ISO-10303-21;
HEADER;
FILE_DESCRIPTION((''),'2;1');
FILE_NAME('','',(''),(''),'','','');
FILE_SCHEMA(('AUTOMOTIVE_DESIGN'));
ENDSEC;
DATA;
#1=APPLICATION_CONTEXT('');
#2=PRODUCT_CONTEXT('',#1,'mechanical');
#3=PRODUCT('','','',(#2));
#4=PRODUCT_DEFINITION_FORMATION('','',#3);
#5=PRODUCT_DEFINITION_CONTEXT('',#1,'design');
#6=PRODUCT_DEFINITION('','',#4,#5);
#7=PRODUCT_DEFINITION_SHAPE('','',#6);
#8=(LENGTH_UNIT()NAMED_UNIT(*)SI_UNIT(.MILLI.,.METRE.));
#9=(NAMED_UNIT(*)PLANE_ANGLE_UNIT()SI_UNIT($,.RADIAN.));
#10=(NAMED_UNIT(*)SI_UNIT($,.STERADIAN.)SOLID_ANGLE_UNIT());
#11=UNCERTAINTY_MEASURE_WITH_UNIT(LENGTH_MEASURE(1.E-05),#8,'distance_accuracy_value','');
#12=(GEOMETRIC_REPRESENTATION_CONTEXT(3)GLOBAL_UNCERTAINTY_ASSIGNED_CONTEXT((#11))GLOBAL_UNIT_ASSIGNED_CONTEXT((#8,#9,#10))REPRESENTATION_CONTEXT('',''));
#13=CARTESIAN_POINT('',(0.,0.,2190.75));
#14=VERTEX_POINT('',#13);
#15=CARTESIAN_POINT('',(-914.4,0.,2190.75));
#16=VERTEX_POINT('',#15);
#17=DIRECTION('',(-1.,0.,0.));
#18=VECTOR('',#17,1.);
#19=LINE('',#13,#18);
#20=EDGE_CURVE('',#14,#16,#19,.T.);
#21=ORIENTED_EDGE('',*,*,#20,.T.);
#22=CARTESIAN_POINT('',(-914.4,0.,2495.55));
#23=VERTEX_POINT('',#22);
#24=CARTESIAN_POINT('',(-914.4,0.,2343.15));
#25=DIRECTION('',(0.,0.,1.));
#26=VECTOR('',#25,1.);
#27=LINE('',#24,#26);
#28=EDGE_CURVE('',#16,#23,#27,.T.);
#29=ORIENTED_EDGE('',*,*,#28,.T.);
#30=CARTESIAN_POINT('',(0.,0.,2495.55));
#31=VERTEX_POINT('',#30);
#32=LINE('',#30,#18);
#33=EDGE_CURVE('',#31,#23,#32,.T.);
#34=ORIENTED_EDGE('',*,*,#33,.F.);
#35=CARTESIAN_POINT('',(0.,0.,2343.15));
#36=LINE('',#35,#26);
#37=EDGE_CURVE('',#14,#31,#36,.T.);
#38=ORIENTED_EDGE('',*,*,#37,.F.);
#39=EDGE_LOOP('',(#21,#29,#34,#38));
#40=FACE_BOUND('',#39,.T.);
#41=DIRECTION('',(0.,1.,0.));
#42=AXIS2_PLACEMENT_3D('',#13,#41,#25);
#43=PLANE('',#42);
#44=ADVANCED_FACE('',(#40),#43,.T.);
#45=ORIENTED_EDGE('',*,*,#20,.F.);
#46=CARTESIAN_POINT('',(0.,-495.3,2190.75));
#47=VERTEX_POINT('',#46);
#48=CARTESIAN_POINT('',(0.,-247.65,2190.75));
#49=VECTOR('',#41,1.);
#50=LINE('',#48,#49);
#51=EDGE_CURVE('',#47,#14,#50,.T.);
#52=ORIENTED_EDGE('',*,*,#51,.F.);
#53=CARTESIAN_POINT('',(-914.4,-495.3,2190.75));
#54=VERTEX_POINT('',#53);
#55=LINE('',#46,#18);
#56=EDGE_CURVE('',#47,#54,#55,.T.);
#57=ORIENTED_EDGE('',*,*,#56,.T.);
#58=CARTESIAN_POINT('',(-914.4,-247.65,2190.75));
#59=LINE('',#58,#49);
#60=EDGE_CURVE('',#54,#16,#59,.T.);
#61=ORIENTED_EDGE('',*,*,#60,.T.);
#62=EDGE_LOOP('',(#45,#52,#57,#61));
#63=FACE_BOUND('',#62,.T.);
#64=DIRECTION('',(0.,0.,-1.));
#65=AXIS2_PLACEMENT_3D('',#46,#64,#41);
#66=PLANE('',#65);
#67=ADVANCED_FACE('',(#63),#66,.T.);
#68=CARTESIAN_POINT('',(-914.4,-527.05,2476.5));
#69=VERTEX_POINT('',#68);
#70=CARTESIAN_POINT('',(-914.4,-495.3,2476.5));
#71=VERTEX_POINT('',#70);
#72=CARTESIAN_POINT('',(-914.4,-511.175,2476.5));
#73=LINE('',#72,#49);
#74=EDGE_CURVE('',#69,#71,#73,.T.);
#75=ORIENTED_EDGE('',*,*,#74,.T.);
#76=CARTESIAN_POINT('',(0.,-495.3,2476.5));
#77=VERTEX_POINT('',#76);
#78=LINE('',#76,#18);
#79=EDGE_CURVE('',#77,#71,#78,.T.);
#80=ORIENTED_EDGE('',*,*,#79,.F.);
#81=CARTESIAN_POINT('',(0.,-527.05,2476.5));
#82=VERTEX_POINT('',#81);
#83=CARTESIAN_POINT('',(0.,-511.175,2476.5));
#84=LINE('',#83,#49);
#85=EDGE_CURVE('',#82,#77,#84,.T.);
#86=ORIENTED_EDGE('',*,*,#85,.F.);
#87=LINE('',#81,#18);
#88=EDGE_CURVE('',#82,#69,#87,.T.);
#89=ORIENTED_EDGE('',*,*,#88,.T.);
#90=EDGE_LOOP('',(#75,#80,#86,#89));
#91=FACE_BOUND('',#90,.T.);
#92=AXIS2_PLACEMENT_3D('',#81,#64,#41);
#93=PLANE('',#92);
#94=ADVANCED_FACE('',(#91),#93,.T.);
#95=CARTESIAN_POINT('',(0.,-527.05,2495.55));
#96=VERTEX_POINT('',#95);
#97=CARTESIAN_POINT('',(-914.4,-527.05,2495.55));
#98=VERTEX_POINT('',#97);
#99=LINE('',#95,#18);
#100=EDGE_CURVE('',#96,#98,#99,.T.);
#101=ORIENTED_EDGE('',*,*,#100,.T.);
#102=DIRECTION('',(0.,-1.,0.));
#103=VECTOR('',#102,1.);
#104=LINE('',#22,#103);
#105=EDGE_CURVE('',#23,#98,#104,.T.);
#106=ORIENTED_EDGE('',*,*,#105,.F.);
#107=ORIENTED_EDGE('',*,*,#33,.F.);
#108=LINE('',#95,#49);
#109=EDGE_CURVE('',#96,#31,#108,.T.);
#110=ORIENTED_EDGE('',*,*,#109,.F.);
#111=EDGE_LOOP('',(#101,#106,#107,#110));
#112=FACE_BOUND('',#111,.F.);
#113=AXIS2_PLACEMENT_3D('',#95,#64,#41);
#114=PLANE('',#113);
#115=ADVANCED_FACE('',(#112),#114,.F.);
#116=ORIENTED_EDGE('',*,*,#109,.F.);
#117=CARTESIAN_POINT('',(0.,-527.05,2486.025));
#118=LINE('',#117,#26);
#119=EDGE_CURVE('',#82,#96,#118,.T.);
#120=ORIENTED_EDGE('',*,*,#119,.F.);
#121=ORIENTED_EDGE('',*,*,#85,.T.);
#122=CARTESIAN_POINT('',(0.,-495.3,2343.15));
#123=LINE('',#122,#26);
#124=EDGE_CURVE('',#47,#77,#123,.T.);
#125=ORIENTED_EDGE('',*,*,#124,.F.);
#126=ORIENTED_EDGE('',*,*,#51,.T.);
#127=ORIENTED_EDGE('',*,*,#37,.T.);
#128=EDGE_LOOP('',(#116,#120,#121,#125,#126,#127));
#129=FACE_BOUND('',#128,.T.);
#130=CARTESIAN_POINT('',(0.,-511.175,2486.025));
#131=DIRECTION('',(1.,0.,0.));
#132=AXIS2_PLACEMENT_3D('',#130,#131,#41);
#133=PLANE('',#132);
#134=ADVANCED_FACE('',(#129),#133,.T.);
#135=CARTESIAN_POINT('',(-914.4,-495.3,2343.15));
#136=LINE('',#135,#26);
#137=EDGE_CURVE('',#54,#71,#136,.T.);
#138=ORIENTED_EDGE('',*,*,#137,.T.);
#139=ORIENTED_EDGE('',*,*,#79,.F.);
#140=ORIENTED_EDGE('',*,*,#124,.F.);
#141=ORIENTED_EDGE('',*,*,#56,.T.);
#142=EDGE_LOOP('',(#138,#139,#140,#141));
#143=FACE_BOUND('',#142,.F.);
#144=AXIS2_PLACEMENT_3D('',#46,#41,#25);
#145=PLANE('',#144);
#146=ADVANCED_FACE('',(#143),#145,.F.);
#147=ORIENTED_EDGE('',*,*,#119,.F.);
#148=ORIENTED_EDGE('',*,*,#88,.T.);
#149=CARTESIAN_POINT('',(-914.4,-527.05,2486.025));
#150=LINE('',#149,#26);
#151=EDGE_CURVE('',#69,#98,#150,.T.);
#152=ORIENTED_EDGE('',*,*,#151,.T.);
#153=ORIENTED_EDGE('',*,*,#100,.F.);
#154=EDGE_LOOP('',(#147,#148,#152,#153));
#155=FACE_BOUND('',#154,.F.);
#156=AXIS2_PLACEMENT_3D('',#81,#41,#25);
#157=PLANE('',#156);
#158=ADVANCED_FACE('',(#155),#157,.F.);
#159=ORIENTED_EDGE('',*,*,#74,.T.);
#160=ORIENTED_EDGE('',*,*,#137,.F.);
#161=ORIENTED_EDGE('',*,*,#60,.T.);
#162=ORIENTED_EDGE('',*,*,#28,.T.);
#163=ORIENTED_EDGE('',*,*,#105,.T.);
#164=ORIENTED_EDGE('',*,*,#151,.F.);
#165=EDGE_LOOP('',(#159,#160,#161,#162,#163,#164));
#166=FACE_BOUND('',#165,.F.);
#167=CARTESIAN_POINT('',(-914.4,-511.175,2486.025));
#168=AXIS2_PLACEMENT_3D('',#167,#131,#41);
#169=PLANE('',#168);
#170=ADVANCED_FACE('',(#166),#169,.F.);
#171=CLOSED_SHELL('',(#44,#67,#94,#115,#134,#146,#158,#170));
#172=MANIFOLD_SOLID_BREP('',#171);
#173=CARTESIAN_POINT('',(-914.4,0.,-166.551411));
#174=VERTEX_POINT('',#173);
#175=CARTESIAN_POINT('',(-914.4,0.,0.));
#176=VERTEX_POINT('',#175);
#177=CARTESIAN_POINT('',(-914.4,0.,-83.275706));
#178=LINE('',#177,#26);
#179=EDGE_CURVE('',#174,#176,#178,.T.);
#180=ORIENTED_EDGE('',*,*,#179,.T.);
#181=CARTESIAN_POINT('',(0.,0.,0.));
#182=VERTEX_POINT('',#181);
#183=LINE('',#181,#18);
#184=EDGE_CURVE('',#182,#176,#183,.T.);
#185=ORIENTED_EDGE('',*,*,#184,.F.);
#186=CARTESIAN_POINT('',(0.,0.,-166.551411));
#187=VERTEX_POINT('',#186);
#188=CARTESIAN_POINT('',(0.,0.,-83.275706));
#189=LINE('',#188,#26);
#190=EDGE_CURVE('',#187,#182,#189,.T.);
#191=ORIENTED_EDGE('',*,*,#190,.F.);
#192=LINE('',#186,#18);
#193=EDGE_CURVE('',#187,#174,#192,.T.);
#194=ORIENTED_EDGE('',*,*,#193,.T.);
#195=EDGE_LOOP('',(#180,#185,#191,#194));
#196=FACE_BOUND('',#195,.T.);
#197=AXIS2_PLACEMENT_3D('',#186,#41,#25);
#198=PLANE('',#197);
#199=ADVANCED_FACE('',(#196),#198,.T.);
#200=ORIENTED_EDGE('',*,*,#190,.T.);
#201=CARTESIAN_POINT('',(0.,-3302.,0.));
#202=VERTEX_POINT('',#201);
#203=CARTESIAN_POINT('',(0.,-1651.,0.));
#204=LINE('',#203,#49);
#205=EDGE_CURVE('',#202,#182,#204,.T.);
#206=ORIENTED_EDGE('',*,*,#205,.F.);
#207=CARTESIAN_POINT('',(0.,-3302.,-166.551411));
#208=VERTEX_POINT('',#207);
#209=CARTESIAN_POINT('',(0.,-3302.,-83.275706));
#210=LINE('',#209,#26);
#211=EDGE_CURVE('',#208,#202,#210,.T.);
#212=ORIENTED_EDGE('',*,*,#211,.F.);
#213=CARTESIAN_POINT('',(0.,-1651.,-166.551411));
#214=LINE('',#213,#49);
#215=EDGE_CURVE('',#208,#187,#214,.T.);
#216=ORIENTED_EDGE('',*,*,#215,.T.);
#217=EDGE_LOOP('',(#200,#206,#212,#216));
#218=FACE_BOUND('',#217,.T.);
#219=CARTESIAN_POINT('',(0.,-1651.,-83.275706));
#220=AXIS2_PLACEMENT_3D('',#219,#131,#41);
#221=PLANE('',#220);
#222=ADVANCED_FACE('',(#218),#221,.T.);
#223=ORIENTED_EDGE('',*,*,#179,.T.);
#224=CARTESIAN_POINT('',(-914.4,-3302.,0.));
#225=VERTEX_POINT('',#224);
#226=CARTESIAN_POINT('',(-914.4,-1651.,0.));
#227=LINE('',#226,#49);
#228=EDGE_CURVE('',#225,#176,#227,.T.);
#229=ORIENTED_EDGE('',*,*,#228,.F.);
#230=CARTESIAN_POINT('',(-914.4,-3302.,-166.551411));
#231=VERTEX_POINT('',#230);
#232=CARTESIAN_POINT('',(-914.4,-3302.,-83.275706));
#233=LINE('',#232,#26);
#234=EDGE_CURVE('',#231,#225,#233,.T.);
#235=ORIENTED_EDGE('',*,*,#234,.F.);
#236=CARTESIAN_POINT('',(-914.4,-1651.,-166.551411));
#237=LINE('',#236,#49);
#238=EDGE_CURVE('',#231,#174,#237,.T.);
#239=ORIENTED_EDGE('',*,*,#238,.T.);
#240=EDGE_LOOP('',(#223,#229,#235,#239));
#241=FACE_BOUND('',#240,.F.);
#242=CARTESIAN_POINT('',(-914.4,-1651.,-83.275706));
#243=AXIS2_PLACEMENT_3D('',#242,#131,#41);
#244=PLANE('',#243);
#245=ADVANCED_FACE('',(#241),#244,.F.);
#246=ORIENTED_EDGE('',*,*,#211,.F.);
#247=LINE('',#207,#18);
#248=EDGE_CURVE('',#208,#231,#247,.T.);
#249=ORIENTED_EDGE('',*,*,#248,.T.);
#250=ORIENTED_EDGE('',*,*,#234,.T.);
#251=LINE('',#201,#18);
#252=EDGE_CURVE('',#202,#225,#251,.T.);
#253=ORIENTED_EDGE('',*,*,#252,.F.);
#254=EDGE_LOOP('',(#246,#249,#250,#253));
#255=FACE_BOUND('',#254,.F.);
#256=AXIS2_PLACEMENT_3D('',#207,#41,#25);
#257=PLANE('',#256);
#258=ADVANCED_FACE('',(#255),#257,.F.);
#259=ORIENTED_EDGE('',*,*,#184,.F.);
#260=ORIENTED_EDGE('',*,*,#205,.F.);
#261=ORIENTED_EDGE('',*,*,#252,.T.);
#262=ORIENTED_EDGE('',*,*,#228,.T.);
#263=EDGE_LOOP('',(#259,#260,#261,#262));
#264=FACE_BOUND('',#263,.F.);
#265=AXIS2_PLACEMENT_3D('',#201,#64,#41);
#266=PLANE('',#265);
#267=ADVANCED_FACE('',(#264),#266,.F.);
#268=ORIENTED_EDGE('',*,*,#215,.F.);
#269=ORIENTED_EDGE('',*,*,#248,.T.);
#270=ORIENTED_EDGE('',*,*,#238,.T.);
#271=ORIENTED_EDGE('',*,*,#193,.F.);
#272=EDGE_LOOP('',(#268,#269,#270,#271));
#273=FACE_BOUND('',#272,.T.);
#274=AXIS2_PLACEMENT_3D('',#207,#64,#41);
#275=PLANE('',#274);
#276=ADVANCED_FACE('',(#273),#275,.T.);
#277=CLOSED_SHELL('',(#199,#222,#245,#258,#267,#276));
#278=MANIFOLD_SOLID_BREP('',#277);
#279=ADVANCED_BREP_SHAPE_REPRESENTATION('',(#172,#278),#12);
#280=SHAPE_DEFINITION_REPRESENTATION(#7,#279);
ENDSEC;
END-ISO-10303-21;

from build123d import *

# Parameters (mm, degrees)
F0_W     = 495.3
F0_H     = 304.8
F1_DEPTH = 914.4
F2_W     = 31.75
F2_H     = 19.05
F3_DEPTH = 914.4
F4_W     = 3302
F4_H     = 166.5514114483
F5_DEPTH = 914.4


with BuildPart() as f1:
    # F0 (on Right) → F1 (new body)
    with BuildSketch(Plane.YZ):
        with Locations((-247.65, 2343.15)):
            Rectangle(F0_W, F0_H)
    extrude(amount=-F1_DEPTH)

    # F2 (on face) → F3 (join, through all)
    with BuildSketch(Plane.YZ):
        with Locations((-511.175, 2486.025)):
            Rectangle(F2_W, F2_H)
    extrude(amount=-F3_DEPTH)


with BuildPart() as f5:
    # F4 (on Right) → F5 (new body)
    with BuildSketch(Plane.YZ):
        with Locations((-1651, -83.2757057242)):
            Rectangle(F4_W, F4_H)
    extrude(amount=-F5_DEPTH)


solid = Compound([f1.part, f5.part])
